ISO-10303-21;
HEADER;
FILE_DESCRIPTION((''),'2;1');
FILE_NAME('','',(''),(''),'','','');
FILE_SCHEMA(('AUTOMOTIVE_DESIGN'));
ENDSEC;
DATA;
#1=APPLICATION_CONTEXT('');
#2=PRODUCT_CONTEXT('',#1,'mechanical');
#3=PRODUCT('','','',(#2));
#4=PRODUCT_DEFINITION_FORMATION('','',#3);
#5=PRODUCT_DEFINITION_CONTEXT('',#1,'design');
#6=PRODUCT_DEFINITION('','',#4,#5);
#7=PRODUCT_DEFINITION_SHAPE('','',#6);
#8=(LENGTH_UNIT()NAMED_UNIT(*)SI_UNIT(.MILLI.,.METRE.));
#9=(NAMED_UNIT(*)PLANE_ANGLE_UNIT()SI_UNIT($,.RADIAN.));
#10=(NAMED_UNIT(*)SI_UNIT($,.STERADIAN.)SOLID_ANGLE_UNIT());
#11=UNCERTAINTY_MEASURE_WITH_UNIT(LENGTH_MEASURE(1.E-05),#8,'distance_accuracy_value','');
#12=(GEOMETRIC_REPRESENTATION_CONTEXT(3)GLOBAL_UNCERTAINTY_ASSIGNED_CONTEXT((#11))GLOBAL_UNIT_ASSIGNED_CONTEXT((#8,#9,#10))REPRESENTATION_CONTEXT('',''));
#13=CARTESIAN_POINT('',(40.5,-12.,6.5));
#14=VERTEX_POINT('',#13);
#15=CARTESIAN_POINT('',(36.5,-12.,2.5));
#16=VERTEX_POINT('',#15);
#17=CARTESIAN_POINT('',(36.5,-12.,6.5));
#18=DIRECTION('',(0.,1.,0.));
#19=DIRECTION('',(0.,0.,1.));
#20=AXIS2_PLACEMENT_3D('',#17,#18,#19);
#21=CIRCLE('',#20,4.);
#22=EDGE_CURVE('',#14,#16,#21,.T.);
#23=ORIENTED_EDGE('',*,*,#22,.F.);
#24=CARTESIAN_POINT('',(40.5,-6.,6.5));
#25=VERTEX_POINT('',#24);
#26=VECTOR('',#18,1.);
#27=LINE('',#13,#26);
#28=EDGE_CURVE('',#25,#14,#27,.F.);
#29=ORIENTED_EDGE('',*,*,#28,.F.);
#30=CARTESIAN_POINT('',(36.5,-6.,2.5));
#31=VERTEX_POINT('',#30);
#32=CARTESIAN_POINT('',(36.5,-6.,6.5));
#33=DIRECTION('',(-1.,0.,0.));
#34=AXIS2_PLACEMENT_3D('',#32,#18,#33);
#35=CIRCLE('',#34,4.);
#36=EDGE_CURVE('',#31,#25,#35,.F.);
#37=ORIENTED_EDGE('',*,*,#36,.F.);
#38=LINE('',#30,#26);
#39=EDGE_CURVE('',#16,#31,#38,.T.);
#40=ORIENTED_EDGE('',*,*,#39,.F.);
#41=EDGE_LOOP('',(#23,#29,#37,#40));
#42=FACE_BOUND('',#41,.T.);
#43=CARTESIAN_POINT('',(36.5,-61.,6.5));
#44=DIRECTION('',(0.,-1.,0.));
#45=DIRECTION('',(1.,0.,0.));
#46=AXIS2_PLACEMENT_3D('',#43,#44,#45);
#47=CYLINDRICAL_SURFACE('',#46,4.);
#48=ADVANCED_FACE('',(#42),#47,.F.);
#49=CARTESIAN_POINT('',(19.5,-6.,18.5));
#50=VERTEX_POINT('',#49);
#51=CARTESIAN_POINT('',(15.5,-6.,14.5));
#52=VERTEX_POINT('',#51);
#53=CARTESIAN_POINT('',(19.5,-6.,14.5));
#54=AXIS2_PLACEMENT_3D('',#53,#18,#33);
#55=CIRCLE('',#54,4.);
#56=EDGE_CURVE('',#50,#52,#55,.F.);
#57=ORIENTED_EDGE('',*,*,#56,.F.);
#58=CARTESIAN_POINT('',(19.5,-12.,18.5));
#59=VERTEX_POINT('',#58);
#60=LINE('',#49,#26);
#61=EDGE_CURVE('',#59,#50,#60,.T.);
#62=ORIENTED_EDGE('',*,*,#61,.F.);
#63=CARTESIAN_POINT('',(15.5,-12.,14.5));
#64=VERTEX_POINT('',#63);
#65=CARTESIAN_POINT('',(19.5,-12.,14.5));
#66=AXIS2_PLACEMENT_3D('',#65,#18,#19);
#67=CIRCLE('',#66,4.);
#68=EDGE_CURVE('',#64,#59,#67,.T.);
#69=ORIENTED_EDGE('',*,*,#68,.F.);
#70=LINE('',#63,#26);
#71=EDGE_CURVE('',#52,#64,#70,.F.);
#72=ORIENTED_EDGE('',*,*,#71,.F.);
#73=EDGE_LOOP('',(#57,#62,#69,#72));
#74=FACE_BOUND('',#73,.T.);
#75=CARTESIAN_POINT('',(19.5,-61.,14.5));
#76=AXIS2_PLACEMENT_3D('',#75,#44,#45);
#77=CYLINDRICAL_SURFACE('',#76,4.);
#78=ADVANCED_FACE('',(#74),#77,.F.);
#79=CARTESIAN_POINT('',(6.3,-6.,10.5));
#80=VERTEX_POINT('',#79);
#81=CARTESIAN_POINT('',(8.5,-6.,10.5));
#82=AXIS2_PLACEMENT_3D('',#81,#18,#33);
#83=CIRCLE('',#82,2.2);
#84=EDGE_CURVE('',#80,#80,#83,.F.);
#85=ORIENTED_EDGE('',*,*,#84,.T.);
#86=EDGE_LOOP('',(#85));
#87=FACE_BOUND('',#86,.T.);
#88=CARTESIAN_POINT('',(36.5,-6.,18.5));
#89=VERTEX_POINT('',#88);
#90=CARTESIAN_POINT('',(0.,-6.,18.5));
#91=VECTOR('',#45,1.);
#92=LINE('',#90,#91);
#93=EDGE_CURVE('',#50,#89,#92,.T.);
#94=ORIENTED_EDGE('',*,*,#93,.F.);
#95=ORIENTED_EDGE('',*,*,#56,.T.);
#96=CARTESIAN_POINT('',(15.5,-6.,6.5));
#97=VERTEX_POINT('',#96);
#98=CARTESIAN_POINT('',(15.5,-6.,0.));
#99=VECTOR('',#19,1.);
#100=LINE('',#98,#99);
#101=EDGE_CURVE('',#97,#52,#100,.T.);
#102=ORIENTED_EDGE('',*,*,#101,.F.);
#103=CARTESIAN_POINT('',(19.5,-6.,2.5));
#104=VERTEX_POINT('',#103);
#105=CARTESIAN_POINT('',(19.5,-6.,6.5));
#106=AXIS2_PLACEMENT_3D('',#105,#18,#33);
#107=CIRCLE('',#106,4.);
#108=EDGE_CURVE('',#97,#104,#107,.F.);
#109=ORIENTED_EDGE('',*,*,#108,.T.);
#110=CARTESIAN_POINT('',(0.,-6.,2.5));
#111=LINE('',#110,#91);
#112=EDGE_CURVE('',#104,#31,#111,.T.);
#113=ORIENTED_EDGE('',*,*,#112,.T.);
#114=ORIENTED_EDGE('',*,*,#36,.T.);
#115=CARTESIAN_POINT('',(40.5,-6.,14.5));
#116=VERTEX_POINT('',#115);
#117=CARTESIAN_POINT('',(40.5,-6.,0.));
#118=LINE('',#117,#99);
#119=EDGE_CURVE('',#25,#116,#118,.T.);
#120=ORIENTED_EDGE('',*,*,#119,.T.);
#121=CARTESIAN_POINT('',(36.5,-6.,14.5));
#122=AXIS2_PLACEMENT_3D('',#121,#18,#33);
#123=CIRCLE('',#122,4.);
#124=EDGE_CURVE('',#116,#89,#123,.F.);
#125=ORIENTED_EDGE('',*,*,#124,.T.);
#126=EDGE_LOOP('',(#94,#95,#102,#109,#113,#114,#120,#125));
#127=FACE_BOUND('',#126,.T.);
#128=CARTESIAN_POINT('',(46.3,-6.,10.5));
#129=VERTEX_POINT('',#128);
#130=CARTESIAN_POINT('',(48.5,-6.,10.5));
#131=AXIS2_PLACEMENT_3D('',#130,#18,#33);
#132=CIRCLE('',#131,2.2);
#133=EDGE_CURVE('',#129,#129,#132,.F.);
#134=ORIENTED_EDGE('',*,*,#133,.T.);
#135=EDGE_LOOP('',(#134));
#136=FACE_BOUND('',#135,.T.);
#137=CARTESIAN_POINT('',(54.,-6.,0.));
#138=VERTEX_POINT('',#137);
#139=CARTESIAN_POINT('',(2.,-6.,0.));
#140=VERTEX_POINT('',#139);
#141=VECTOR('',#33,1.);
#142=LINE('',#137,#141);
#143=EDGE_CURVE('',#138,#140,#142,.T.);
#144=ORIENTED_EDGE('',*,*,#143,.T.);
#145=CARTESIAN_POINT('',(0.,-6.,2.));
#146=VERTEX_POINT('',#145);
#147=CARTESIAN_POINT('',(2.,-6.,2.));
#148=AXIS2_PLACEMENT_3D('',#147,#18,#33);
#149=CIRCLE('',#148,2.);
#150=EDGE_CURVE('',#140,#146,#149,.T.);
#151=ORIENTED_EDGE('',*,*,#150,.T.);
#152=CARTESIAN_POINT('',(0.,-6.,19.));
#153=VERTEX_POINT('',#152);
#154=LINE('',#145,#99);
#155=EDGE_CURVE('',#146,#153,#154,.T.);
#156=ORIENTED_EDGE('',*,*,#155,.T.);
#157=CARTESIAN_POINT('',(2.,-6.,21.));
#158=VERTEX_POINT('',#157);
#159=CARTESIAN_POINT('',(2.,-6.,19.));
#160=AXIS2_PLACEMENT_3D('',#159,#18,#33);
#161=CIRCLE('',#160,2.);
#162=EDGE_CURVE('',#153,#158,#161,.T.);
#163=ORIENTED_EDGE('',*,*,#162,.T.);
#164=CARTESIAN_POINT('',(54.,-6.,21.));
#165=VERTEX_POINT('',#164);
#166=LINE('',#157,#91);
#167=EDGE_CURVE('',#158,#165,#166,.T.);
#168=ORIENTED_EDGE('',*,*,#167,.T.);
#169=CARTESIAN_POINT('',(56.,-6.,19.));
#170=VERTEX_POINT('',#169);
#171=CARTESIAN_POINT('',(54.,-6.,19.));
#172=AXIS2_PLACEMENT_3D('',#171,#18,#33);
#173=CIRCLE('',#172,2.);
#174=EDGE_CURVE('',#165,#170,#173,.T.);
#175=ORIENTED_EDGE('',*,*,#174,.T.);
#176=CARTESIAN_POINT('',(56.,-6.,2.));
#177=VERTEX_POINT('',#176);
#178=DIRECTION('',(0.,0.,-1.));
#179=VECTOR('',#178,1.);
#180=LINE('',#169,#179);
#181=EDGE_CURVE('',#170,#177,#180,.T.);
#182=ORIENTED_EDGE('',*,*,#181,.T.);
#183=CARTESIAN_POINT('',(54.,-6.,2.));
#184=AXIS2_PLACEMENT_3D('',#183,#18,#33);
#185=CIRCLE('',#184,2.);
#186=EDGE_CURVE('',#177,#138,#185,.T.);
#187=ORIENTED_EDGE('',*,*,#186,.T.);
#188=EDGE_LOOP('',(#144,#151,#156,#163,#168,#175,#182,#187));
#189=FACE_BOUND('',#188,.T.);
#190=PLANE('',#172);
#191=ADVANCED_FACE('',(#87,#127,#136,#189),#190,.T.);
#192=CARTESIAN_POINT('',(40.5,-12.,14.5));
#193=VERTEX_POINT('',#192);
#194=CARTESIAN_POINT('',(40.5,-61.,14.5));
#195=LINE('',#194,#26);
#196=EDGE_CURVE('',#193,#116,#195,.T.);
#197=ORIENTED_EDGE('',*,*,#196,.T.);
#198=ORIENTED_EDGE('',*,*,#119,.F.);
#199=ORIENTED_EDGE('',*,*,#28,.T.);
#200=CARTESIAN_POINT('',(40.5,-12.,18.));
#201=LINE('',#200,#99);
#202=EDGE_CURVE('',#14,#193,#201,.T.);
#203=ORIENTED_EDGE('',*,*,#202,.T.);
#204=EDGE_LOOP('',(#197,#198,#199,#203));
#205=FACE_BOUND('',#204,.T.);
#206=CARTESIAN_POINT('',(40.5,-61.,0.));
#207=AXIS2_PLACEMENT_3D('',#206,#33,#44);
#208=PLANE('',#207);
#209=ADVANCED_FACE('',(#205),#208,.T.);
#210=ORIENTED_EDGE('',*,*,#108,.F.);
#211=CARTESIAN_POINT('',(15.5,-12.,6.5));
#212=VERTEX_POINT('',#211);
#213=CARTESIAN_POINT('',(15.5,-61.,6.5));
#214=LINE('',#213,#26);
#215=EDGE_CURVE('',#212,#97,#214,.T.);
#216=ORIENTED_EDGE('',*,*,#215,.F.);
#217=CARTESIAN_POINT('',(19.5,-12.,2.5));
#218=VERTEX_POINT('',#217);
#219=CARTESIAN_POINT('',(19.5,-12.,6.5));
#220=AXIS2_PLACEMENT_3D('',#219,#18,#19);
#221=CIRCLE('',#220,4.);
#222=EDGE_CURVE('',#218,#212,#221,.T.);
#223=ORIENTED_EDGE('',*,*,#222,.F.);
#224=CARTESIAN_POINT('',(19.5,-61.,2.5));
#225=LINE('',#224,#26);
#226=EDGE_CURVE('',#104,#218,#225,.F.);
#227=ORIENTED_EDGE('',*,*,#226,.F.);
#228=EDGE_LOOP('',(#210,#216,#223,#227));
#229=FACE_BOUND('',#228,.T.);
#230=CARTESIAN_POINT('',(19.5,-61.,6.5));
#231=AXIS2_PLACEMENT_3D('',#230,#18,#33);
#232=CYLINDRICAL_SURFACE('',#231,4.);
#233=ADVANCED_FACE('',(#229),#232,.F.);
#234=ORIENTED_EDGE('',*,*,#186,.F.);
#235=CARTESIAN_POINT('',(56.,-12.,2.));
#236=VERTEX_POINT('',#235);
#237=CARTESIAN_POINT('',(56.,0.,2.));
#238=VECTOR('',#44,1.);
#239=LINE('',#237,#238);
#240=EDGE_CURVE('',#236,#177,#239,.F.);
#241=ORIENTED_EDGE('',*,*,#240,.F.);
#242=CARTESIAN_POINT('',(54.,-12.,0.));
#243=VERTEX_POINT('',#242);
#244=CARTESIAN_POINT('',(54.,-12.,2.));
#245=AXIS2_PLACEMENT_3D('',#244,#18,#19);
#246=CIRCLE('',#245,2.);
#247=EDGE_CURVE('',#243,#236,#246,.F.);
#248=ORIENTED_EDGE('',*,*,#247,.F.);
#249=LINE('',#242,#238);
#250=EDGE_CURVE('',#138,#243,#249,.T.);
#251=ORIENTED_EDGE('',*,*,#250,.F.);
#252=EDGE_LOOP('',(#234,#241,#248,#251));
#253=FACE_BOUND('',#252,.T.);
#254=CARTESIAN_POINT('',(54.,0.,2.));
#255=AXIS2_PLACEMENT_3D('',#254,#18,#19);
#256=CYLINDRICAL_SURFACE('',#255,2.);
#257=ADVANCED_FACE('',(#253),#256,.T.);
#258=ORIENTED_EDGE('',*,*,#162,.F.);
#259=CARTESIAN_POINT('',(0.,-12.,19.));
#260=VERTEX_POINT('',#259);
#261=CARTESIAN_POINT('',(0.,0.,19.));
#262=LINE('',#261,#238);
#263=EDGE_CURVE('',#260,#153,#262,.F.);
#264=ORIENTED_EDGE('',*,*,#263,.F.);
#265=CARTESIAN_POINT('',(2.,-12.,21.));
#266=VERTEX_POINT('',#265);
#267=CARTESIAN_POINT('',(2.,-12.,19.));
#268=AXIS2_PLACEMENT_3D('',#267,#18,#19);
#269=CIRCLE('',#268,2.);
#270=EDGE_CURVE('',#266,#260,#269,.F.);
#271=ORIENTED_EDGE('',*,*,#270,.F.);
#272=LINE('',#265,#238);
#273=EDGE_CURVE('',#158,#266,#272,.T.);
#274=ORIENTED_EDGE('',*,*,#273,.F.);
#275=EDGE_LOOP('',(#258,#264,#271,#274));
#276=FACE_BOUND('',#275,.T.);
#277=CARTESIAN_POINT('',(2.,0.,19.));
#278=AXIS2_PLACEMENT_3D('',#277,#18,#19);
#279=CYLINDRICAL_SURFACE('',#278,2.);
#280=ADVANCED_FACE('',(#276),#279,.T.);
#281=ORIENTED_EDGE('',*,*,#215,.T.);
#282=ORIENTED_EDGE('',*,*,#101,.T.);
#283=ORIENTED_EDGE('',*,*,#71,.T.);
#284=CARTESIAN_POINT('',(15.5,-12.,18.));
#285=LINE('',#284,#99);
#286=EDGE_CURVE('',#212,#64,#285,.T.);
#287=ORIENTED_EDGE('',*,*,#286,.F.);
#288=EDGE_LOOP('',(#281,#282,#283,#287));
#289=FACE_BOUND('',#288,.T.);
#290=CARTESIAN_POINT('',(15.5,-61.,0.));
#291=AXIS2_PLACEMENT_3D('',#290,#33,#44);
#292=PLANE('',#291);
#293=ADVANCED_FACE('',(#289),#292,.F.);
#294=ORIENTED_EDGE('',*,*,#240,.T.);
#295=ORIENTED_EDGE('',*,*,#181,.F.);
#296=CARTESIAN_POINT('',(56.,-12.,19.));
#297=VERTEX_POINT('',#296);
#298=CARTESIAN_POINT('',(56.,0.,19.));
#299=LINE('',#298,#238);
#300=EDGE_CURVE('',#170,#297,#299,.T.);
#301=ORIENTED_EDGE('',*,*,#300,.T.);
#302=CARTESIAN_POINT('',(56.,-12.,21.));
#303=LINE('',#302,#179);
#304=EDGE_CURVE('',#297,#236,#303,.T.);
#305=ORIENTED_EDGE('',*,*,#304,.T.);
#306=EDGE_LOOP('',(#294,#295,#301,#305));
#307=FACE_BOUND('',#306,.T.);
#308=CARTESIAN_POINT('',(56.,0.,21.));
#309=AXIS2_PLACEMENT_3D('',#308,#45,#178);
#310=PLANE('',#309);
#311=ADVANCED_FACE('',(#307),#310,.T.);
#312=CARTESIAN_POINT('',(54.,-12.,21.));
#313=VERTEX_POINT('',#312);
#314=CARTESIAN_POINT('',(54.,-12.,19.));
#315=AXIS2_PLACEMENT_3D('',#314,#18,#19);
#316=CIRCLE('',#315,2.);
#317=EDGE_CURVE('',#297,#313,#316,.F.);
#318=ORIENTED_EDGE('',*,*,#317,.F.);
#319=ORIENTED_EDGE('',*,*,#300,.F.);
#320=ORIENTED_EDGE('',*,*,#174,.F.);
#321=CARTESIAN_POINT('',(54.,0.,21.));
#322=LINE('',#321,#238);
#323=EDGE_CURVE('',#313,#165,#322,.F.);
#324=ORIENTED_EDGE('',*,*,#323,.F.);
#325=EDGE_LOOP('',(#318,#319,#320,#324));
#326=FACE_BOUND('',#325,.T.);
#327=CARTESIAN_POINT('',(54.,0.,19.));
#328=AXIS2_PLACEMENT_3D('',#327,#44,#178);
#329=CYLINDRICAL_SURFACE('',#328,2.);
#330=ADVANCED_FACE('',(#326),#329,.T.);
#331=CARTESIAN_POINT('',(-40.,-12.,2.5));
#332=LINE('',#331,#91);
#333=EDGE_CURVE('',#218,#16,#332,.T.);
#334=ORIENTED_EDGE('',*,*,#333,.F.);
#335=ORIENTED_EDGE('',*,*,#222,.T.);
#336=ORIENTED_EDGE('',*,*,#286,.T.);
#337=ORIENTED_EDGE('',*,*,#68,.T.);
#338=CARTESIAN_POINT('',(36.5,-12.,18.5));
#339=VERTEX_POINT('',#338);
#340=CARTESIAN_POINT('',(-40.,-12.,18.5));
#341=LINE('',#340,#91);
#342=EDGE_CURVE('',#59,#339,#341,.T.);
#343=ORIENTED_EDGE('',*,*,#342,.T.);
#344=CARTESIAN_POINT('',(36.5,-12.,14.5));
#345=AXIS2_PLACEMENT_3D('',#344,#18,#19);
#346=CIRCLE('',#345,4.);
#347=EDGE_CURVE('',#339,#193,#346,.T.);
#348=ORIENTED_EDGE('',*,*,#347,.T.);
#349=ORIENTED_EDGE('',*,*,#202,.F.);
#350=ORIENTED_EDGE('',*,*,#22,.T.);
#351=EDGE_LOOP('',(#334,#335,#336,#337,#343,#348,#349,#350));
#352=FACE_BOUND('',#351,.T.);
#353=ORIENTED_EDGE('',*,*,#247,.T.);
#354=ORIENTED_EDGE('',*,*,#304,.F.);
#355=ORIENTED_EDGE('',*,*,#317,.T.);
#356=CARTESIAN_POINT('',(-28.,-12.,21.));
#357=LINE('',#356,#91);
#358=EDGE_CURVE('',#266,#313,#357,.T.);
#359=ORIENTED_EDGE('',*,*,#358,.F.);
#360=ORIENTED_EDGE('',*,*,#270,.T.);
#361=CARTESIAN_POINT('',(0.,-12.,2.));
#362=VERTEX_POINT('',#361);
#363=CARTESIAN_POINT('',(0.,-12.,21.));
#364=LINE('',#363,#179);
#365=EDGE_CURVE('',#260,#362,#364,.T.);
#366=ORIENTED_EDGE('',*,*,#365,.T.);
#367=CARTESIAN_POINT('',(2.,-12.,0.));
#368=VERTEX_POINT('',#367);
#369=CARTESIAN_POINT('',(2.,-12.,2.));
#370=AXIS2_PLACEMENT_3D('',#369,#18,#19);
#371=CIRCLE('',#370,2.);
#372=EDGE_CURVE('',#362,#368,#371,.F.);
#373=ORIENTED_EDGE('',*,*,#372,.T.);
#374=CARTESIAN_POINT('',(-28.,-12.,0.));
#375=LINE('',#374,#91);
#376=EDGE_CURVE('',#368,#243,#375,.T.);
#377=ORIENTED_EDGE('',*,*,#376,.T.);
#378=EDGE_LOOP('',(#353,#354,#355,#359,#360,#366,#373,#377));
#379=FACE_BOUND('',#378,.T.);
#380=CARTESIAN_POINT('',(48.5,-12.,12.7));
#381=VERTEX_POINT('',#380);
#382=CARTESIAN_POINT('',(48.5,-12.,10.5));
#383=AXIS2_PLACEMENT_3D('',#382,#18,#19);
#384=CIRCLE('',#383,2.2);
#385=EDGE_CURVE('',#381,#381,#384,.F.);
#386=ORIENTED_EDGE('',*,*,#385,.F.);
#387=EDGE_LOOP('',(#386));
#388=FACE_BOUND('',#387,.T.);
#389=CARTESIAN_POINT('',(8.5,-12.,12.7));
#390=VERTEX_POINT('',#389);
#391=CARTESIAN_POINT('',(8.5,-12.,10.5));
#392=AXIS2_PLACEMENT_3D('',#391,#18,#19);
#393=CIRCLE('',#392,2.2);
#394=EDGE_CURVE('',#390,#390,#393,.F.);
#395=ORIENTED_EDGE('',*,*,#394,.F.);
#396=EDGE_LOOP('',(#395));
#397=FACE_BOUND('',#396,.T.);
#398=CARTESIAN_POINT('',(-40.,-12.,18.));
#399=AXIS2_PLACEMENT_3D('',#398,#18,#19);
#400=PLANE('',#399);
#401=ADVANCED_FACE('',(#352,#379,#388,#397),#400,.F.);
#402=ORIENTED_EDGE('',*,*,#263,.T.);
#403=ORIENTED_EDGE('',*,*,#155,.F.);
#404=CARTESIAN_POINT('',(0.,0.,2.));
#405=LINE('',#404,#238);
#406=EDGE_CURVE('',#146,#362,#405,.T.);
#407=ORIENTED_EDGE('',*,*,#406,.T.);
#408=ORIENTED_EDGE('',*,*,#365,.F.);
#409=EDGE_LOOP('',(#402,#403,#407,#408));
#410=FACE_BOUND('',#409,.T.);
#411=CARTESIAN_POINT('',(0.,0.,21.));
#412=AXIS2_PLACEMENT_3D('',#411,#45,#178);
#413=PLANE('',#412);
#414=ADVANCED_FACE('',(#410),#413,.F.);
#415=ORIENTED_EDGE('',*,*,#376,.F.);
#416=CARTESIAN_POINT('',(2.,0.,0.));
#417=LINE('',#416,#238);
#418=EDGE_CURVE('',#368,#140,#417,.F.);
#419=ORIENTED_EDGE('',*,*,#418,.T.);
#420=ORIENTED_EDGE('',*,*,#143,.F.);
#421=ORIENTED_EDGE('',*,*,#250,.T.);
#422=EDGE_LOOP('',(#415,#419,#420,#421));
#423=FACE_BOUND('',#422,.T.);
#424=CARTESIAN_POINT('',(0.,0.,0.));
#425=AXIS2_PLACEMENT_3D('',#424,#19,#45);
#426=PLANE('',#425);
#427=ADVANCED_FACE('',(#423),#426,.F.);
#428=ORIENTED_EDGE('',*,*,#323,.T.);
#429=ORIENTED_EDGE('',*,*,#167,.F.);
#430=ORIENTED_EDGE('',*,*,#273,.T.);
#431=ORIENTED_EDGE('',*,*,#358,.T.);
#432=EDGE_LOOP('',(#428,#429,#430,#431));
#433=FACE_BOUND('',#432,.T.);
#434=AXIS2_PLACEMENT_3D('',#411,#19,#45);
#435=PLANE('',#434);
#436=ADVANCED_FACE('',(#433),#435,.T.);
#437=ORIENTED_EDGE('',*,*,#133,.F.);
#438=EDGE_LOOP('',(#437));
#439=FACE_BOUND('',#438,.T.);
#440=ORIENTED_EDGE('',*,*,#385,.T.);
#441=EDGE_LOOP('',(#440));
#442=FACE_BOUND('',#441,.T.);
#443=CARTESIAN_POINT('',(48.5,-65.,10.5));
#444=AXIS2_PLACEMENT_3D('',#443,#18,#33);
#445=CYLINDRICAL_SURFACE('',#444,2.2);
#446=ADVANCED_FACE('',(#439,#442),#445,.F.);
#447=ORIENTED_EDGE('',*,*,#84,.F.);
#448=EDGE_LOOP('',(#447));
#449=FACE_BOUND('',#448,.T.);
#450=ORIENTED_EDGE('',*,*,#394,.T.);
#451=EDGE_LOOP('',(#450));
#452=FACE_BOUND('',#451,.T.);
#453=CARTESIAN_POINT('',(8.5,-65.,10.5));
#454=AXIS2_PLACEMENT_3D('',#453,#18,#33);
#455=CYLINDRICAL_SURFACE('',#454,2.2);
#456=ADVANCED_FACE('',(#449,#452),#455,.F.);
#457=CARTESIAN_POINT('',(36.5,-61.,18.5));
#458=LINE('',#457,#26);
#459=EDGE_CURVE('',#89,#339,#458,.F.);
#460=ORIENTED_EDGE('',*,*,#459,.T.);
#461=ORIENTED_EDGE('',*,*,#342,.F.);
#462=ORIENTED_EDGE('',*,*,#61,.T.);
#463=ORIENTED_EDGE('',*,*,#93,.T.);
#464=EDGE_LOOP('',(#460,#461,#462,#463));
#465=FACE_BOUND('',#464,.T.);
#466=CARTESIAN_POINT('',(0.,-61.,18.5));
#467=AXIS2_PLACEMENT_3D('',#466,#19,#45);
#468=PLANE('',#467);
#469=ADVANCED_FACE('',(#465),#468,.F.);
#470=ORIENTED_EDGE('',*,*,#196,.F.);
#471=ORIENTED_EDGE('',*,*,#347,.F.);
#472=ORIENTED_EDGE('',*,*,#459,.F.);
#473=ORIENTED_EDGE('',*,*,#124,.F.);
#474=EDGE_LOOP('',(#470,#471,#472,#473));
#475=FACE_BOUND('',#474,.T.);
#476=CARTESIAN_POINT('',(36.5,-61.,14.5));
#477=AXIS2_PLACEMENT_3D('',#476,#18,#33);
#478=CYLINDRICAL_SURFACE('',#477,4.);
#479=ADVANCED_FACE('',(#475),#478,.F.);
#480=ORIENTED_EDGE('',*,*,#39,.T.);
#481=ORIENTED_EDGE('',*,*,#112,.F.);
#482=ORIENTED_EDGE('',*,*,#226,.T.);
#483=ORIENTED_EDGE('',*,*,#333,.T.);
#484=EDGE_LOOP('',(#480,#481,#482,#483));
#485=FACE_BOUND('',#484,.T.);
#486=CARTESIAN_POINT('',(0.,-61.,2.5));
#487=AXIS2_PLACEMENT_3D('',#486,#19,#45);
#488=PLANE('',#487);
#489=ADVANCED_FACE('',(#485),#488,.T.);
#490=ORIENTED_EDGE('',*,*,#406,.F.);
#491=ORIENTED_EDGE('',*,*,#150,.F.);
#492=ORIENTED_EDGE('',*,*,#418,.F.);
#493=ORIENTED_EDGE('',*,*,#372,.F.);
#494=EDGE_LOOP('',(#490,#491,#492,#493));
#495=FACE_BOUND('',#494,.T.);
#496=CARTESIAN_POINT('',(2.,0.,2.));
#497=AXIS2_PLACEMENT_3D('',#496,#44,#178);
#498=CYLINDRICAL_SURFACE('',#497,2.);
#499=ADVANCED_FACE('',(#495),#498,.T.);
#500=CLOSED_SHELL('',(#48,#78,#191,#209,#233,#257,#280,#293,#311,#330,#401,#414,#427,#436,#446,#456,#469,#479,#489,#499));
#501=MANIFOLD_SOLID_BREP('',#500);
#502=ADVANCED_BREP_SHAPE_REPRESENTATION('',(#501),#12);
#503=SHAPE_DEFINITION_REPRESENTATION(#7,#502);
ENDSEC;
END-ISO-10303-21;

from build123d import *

# Parameters (mm, degrees)
SKETCH_1_W          = 28
SKETCH_1_H          = 12
EXTRUDE_1_DEPTH     = 21
SKETCH_2_R          = 1.75
CUT_EXTRUDE_1_DEPTH = 59
SKETCH_3_R          = 2.2
CUT_EXTRUDE_2_DEPTH = 65
SKETCH_7_W          = 15
SKETCH_7_H          = 15
CUT_EXTRUDE_3_DEPTH = 109
CUT_EXTRUDE_5_DEPTH = 84
FILLET_1_R          = 2
CUT_EXTRUDE_6_DEPTH = 6
SKETCH_15_W         = 25
SKETCH_15_H         = 16
CUT_EXTRUDE_7_DEPTH = 55
FILLET_2_R          = 4


with BuildPart() as part:
    # 草图1 → 凸台-拉伸1 (new body)
    with BuildSketch(Plane.XY):
        Polygon((56, -12), (28, -12), (0, -12), (-13, -12), (-13, -63), (69, -63), (69, -12), align=None)
        with Locations((42, -6)):
            Rectangle(SKETCH_1_W, SKETCH_1_H)
        with Locations((14, -6)):
            Rectangle(SKETCH_1_W, SKETCH_1_H)
    extrude(amount=EXTRUDE_1_DEPTH)

    # 草图2 → 切除-拉伸1 (cut)
    with BuildSketch(Plane(origin=(0, 0, 0), x_dir=(-1, 0, 0), z_dir=(0, 0, -1))):
        with Locations((-58, -54.25)):
            Circle(SKETCH_2_R)
        with Locations((2, -54.25)):
            Circle(SKETCH_2_R)
    extrude(amount=-CUT_EXTRUDE_1_DEPTH, mode=Mode.SUBTRACT)

    # 草图3 → 切除-拉伸2 (cut)
    with BuildSketch(Plane(origin=(0, 0, 0), x_dir=(1, 0, 0), z_dir=(0, 1, 0))):
        with Locations(Location((48.5, -10.5, 0), (0, 0, 180))):
            Circle(SKETCH_3_R)
        with Locations(Location((8.5, -10.5, 0), (0, 0, 180))):
            Circle(SKETCH_3_R)
    extrude(amount=-CUT_EXTRUDE_2_DEPTH, mode=Mode.SUBTRACT)

    # 草图7 → 切除-拉伸3 (cut)
    with BuildSketch(Plane(origin=(69, 0, 0), x_dir=(0, 0, -1), z_dir=(1, 0, 0))):
        with Locations((-10.5, -19.5)):
            Rectangle(SKETCH_7_W, SKETCH_7_H)
    extrude(amount=-CUT_EXTRUDE_3_DEPTH, mode=Mode.SUBTRACT)

    # 草图9 → 切除-拉伸5 (cut, symmetric)
    with BuildSketch(Plane(origin=(56, 0, 0), x_dir=(0, 0, -1), z_dir=(1, 0, 0))):
        Polygon((-18, -27), (-18, -12), (-21, -12), (-21, -63), (0, -63), (0, -12), (-3, -12), (-3, -27), align=None)
    extrude(amount=CUT_EXTRUDE_5_DEPTH, both=True, mode=Mode.SUBTRACT)

    # 圆角1
    fillet_1_edges = [part.edges().sort_by_distance(p)[0] for p in [
        (0, -6, 0),
        (56, -6, 0),
        (56, -6, 21),
        (0, -6, 21),
    ]]
    fillet(fillet_1_edges, radius=FILLET_1_R)

    # 草图14 → 切除-拉伸6 (cut)
    with BuildSketch(Plane(origin=(0, 0, 0), x_dir=(1, 0, 0), z_dir=(0, 1, 0))):
        with BuildLine():
            Line((56, -19), (56, -2))
            ThreePointArc((56, -2), (55.414213562, -0.585786438), (54, 0))
            Line((54, 0), (2, 0))
            ThreePointArc((2, 0), (0.585786438, -0.585786438), (0, -2))
            Line((0, -2), (0, -19))
            ThreePointArc((0, -19), (0.585786438, -20.414213562), (2, -21))
            Line((2, -21), (54, -21))
            ThreePointArc((54, -21), (55.414213562, -20.414213562), (56, -19))
        make_face()
    extrude(amount=-CUT_EXTRUDE_6_DEPTH, mode=Mode.SUBTRACT)

    # 草图15 → 切除-拉伸7 (cut)
    with BuildSketch(Plane(origin=(0, -6, 0), x_dir=(1, 0, 0), z_dir=(0, 1, 0))):
        with Locations((28, -10.5)):
            Rectangle(SKETCH_15_W, SKETCH_15_H)
    extrude(amount=-CUT_EXTRUDE_7_DEPTH, mode=Mode.SUBTRACT)

    # 圆角2
    fillet_2_edges = [part.edges().sort_by_distance(p)[0] for p in [
        (40.5, -9, 2.5),
        (40.5, -9, 18.5),
        (15.5, -9, 18.5),
        (15.5, -9, 2.5),
    ]]
    fillet(fillet_2_edges, radius=FILLET_2_R)


solid = part.part
